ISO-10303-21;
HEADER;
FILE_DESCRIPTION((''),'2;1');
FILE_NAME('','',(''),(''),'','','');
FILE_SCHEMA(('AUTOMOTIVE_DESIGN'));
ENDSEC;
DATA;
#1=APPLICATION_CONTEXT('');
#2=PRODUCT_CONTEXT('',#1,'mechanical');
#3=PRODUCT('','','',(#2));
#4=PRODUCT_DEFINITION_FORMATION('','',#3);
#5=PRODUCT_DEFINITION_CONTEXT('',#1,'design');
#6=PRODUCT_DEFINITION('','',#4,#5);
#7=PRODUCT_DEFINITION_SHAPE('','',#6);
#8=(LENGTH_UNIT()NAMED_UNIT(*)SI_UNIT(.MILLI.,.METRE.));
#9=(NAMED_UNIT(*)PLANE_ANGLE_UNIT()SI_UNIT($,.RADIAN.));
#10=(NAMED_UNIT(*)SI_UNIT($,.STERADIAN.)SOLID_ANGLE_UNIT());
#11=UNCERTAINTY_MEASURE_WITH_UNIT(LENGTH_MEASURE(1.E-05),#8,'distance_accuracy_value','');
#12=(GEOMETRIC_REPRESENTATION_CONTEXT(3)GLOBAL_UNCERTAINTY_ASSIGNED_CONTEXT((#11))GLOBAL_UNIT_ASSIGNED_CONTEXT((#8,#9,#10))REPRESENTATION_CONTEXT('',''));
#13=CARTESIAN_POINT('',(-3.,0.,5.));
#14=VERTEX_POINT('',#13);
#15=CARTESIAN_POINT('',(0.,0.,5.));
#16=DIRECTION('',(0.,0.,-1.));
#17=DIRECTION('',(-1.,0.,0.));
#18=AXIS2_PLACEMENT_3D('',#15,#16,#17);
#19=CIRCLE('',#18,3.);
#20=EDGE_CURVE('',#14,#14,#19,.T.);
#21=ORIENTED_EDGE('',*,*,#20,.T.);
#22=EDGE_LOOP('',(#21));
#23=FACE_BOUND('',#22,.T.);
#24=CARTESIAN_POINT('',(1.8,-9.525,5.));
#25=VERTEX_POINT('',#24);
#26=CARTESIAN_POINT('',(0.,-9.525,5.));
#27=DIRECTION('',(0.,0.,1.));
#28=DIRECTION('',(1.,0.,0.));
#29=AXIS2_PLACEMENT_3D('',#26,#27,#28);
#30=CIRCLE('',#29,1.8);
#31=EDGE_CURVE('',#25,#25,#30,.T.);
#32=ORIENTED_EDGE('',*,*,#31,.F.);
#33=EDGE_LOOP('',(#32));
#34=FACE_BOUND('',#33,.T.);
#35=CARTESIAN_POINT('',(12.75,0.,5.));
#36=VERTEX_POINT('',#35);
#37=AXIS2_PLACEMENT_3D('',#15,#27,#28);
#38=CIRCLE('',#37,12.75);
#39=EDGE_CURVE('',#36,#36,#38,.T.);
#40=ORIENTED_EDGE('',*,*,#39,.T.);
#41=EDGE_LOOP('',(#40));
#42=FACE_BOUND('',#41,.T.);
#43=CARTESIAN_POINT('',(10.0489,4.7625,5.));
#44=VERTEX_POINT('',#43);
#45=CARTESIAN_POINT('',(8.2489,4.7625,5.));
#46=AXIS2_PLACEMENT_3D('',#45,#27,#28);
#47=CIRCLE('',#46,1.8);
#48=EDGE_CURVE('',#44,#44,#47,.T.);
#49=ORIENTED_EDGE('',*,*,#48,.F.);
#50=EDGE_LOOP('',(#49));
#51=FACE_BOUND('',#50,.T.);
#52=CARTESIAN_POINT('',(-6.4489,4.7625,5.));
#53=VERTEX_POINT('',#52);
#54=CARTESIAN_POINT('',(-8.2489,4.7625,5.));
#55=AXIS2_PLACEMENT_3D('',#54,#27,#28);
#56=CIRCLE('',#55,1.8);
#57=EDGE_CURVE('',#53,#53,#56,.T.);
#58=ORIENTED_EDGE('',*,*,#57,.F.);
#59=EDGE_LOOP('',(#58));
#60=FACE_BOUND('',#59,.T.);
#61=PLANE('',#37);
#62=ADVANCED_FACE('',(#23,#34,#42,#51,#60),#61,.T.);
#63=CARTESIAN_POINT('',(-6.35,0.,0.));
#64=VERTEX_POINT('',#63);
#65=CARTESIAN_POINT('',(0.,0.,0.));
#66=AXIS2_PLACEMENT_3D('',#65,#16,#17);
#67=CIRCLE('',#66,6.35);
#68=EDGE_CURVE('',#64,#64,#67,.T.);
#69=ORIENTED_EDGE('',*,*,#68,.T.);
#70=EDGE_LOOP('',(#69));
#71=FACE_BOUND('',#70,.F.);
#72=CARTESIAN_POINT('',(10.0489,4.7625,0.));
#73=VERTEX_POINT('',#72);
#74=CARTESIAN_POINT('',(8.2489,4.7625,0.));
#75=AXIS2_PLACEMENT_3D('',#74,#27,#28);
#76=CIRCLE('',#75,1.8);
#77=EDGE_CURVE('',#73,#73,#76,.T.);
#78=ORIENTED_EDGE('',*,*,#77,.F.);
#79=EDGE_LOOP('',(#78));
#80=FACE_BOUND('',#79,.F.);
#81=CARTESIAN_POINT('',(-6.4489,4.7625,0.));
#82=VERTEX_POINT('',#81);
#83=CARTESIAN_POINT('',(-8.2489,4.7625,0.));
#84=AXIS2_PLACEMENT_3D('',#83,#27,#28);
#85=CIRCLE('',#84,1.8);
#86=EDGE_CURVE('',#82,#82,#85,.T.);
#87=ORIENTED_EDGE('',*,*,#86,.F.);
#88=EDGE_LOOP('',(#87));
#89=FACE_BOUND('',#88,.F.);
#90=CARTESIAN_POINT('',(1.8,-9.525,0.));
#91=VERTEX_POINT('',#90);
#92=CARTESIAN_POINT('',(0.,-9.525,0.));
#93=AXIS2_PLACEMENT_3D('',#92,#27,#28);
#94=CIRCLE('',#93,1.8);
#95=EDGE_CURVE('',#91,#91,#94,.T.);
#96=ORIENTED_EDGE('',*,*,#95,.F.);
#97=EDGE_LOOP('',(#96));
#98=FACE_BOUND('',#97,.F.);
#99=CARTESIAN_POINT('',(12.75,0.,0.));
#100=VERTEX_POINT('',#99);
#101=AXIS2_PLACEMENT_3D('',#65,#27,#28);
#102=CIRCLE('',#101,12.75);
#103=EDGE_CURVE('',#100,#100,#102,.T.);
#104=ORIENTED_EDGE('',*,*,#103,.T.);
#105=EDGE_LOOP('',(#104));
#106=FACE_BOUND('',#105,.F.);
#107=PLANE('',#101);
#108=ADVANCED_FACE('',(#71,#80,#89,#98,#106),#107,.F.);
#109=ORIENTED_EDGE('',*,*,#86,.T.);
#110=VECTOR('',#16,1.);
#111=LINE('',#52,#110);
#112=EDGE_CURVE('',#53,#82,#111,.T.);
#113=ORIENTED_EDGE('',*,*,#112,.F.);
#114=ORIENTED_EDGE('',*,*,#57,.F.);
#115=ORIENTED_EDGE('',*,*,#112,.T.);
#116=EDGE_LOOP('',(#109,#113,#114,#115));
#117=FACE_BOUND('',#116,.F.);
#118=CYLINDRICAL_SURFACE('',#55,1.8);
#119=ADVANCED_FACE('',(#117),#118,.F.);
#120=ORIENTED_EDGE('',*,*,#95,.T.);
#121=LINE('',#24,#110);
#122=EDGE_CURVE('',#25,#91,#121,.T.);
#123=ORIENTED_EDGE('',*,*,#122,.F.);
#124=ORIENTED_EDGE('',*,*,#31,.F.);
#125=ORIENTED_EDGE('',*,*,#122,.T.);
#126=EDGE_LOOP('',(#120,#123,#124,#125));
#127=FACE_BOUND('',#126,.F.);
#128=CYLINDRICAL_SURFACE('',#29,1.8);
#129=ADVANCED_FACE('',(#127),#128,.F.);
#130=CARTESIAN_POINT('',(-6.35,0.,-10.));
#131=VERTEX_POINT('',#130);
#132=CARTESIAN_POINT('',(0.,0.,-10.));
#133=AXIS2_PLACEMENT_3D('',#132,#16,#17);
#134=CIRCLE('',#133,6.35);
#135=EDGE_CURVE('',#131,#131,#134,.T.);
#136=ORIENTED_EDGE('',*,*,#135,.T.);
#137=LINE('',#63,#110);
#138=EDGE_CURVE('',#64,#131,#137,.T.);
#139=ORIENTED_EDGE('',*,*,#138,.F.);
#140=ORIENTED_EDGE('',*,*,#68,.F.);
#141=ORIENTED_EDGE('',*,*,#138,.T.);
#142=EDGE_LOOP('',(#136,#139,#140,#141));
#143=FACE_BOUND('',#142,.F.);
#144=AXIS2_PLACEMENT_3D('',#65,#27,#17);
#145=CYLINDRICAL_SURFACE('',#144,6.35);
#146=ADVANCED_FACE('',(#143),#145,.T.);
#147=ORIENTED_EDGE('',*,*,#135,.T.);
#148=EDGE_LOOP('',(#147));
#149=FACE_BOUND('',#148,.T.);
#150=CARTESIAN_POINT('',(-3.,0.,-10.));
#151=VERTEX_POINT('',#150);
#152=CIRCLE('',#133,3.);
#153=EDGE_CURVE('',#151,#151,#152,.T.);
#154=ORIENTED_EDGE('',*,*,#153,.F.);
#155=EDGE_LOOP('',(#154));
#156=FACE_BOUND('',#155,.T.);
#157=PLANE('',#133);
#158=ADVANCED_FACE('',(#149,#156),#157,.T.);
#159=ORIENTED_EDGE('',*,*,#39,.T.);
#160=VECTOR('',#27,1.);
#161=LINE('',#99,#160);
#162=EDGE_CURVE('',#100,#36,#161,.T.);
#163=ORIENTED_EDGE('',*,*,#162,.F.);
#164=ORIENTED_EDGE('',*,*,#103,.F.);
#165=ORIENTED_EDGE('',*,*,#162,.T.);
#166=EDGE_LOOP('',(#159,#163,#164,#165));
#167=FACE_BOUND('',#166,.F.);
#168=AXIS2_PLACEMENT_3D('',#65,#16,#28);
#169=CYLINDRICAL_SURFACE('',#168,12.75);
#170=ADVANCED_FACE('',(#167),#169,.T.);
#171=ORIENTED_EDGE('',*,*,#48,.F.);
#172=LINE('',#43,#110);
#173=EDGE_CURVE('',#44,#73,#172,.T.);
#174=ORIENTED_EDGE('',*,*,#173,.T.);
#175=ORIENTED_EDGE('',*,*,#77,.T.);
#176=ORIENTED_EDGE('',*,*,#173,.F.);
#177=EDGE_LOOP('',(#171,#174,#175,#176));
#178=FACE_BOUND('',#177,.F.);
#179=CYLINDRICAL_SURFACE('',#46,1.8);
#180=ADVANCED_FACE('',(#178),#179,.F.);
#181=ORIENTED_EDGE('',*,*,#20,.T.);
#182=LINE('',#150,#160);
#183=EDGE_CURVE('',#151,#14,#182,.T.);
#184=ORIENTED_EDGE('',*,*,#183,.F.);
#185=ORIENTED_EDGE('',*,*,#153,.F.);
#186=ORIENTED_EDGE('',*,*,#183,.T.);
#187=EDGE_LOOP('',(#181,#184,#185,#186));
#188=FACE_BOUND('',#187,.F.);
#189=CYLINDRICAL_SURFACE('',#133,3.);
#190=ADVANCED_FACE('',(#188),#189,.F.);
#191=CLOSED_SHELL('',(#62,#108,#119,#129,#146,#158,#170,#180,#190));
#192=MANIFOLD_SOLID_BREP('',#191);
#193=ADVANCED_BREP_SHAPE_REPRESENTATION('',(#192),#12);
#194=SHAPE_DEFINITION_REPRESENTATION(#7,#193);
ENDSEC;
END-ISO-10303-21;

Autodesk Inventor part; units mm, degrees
ref_plane "YZ Plane" through (0, 0, 0) normal (1, 0, 0) x (0, 1, 0)
ref_plane "XZ Plane" through (0, 0, 0) normal (0, 1, 0) x (-1, 0, 0)
ref_plane "XY Plane" through (0, 0, 0) normal (0, 0, 1) x (1, 0, 0)
sketch "Sketch1" plane through (0, 0, 0) normal (0, 0, 1) x (1, 0, 0)
  line L0 (-17.85, 0) -> (17.85, 0) construction
  line L1 (0, -17.85) -> (0, 17.85) construction
  circle A0 centre (0, 0) radius 12.75
  dimension "d0" = 25.5
extrude "Extrusion1" add sketch "Sketch1" along normal blind 5
sketch "Sketch2" plane through (0, 0, 0) normal (0, 0, -1) x (-1, 0, 0)
  circle A0 centre (0, 0) radius 6.35
  dimension "d3" = 12.7
extrude "Extrusion2" add sketch "Sketch2" along normal blind 10
sketch "Sketch3" plane through (0, 0, -10) normal (0, 0, -1) x (-1, 0, 0)
  circle A0 centre (0, 0) radius 3
  dimension "d6" = 6
extrude "Extrusion3" cut sketch "Sketch3" against normal through all
sketch "Sketch5" plane through (0, 0, 5) normal (0, 0, 1) x (1, 0, 0)
  circle A0 centre (0, 0) radius 9.525 construction
  circle A1 centre (0, -9.525) radius 1.8
  line L0 (-17.85, 0) -> (17.85, 0) construction
  line L1 (0, -17.85) -> (0, 17.85) construction
  circle A2 centre (8.2489, 4.7625) radius 1.8
  circle A3 centre (-8.2489, 4.7625) radius 1.8
  dimension "d13" = 19.05
  dimension "d14" = 3.6
  dimension "d19" = 360
extrude "Extrusion5" cut sketch "Sketch5" against normal through all
properties part number "Nakretka_prowadnica_tloka"
